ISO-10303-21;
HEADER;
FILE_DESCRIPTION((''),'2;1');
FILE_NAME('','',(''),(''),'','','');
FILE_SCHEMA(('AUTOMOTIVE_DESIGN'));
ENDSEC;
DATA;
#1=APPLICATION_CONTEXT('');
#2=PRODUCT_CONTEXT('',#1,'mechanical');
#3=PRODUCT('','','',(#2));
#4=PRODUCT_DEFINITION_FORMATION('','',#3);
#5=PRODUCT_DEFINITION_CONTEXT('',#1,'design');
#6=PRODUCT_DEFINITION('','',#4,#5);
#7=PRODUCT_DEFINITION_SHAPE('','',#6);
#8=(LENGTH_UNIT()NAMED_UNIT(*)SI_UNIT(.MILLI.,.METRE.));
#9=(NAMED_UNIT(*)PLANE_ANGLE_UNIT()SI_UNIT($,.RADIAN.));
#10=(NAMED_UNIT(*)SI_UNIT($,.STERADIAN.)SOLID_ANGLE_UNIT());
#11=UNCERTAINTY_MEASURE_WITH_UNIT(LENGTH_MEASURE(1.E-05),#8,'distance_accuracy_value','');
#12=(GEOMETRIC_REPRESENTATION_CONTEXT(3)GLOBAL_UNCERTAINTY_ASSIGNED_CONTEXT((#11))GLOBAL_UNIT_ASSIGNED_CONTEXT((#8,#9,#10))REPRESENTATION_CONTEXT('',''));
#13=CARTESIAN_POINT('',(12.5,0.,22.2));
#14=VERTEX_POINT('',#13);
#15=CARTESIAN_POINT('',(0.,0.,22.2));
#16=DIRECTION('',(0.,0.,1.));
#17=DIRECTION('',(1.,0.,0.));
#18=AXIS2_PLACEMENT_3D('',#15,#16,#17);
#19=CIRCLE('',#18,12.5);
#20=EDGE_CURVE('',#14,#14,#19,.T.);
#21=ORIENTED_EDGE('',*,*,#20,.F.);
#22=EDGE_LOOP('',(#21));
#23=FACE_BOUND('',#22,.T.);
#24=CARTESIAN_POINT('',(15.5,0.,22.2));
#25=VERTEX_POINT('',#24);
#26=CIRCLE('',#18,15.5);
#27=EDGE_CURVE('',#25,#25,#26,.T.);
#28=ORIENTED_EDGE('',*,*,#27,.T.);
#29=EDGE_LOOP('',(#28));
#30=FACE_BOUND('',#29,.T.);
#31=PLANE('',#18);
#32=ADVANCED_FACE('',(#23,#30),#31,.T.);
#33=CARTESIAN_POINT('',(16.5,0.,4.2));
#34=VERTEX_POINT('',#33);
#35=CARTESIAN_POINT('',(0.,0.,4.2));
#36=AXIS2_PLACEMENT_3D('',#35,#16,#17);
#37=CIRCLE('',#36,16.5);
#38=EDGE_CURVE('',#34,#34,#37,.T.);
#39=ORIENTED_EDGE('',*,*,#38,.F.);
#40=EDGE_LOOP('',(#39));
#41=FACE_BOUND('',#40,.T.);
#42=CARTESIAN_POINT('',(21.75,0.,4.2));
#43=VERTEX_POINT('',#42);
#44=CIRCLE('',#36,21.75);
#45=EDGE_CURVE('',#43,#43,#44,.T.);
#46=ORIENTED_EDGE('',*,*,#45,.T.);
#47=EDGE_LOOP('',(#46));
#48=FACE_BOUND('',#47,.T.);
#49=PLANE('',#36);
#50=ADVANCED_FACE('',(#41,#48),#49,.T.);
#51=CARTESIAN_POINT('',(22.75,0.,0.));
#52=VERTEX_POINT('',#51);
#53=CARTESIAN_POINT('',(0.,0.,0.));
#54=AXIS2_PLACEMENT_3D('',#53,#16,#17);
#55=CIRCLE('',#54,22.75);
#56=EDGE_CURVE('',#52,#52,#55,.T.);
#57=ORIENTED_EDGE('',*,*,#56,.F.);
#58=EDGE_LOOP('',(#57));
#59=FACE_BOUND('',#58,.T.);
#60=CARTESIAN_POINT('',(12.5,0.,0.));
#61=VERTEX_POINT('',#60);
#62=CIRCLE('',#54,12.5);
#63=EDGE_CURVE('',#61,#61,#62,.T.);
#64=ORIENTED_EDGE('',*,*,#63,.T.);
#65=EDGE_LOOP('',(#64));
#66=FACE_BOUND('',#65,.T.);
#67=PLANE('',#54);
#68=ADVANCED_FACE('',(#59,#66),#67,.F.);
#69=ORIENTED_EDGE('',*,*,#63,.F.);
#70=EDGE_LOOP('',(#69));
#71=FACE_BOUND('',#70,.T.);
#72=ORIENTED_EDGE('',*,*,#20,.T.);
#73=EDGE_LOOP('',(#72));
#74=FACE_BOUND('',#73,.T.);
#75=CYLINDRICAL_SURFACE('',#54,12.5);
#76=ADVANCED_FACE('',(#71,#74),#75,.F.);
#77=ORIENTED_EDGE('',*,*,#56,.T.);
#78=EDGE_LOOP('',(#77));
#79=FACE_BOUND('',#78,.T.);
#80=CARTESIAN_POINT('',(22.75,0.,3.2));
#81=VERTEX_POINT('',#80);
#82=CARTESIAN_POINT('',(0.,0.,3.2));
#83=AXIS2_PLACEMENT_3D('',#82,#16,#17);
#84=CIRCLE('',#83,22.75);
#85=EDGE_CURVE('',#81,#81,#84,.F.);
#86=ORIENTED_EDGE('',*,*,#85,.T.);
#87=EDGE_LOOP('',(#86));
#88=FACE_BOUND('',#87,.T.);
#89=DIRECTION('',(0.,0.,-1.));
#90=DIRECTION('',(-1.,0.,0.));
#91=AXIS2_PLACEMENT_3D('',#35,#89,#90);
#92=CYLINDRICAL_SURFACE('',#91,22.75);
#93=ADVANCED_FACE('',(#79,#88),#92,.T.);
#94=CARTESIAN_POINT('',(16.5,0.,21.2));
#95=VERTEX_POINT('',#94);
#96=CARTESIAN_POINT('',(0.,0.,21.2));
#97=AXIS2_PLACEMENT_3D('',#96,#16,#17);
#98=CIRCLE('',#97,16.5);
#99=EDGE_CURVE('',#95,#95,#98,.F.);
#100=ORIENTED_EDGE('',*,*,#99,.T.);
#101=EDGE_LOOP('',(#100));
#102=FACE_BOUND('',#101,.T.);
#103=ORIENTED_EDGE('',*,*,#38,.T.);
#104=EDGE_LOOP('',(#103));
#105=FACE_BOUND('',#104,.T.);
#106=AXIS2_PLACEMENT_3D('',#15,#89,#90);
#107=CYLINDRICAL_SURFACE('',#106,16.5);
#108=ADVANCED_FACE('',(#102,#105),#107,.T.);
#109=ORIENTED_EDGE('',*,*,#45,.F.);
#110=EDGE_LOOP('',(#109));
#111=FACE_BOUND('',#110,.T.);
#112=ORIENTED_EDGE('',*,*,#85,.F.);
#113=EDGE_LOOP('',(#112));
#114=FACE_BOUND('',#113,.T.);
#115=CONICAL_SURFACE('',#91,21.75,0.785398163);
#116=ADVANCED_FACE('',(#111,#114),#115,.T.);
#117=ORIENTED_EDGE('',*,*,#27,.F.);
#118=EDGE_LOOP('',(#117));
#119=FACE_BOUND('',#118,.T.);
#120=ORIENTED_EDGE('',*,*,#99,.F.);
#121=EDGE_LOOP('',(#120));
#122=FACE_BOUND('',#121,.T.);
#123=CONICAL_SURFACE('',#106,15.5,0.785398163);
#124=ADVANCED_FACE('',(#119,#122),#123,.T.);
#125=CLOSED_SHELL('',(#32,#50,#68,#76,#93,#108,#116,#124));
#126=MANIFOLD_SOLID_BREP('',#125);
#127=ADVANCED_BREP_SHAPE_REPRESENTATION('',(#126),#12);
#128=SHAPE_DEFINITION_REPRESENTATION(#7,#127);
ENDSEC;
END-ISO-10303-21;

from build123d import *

# Parameters (mm, degrees)
SKETCH_1_R          = 22.75
EXTRUDE_1_DEPTH     = 4.2
SKETCH_2_R          = 16.5
EXTRUDE_2_DEPTH     = 18
SKETCH_3_R          = 12.5
CUT_EXTRUDE_1_DEPTH = 23.2
CHAMFER_1_SIZE      = 1


with BuildPart() as part:
    # 草图1 → 凸台-拉伸1 (new body)
    with BuildSketch(Plane.XY):
        Circle(SKETCH_1_R)
    extrude(amount=EXTRUDE_1_DEPTH)

    # 草图2 → 凸台-拉伸2 (add)
    with BuildSketch(Plane.XY.offset(4.2)):
        Circle(SKETCH_2_R)
    extrude(amount=EXTRUDE_2_DEPTH)

    # 草图3 → 切除-拉伸1 (cut, through all)
    with BuildSketch(Plane.XY.offset(22.2)):
        Circle(SKETCH_3_R)
    extrude(amount=-CUT_EXTRUDE_1_DEPTH, mode=Mode.SUBTRACT)

    # 倒角1
    chamfer_1_edges = [part.edges().sort_by_distance(p)[0] for p in [
        (-22.75, 0, 4.2),
        (-16.5, 0, 22.2),
    ]]
    chamfer(chamfer_1_edges, length=CHAMFER_1_SIZE)


solid = part.part
